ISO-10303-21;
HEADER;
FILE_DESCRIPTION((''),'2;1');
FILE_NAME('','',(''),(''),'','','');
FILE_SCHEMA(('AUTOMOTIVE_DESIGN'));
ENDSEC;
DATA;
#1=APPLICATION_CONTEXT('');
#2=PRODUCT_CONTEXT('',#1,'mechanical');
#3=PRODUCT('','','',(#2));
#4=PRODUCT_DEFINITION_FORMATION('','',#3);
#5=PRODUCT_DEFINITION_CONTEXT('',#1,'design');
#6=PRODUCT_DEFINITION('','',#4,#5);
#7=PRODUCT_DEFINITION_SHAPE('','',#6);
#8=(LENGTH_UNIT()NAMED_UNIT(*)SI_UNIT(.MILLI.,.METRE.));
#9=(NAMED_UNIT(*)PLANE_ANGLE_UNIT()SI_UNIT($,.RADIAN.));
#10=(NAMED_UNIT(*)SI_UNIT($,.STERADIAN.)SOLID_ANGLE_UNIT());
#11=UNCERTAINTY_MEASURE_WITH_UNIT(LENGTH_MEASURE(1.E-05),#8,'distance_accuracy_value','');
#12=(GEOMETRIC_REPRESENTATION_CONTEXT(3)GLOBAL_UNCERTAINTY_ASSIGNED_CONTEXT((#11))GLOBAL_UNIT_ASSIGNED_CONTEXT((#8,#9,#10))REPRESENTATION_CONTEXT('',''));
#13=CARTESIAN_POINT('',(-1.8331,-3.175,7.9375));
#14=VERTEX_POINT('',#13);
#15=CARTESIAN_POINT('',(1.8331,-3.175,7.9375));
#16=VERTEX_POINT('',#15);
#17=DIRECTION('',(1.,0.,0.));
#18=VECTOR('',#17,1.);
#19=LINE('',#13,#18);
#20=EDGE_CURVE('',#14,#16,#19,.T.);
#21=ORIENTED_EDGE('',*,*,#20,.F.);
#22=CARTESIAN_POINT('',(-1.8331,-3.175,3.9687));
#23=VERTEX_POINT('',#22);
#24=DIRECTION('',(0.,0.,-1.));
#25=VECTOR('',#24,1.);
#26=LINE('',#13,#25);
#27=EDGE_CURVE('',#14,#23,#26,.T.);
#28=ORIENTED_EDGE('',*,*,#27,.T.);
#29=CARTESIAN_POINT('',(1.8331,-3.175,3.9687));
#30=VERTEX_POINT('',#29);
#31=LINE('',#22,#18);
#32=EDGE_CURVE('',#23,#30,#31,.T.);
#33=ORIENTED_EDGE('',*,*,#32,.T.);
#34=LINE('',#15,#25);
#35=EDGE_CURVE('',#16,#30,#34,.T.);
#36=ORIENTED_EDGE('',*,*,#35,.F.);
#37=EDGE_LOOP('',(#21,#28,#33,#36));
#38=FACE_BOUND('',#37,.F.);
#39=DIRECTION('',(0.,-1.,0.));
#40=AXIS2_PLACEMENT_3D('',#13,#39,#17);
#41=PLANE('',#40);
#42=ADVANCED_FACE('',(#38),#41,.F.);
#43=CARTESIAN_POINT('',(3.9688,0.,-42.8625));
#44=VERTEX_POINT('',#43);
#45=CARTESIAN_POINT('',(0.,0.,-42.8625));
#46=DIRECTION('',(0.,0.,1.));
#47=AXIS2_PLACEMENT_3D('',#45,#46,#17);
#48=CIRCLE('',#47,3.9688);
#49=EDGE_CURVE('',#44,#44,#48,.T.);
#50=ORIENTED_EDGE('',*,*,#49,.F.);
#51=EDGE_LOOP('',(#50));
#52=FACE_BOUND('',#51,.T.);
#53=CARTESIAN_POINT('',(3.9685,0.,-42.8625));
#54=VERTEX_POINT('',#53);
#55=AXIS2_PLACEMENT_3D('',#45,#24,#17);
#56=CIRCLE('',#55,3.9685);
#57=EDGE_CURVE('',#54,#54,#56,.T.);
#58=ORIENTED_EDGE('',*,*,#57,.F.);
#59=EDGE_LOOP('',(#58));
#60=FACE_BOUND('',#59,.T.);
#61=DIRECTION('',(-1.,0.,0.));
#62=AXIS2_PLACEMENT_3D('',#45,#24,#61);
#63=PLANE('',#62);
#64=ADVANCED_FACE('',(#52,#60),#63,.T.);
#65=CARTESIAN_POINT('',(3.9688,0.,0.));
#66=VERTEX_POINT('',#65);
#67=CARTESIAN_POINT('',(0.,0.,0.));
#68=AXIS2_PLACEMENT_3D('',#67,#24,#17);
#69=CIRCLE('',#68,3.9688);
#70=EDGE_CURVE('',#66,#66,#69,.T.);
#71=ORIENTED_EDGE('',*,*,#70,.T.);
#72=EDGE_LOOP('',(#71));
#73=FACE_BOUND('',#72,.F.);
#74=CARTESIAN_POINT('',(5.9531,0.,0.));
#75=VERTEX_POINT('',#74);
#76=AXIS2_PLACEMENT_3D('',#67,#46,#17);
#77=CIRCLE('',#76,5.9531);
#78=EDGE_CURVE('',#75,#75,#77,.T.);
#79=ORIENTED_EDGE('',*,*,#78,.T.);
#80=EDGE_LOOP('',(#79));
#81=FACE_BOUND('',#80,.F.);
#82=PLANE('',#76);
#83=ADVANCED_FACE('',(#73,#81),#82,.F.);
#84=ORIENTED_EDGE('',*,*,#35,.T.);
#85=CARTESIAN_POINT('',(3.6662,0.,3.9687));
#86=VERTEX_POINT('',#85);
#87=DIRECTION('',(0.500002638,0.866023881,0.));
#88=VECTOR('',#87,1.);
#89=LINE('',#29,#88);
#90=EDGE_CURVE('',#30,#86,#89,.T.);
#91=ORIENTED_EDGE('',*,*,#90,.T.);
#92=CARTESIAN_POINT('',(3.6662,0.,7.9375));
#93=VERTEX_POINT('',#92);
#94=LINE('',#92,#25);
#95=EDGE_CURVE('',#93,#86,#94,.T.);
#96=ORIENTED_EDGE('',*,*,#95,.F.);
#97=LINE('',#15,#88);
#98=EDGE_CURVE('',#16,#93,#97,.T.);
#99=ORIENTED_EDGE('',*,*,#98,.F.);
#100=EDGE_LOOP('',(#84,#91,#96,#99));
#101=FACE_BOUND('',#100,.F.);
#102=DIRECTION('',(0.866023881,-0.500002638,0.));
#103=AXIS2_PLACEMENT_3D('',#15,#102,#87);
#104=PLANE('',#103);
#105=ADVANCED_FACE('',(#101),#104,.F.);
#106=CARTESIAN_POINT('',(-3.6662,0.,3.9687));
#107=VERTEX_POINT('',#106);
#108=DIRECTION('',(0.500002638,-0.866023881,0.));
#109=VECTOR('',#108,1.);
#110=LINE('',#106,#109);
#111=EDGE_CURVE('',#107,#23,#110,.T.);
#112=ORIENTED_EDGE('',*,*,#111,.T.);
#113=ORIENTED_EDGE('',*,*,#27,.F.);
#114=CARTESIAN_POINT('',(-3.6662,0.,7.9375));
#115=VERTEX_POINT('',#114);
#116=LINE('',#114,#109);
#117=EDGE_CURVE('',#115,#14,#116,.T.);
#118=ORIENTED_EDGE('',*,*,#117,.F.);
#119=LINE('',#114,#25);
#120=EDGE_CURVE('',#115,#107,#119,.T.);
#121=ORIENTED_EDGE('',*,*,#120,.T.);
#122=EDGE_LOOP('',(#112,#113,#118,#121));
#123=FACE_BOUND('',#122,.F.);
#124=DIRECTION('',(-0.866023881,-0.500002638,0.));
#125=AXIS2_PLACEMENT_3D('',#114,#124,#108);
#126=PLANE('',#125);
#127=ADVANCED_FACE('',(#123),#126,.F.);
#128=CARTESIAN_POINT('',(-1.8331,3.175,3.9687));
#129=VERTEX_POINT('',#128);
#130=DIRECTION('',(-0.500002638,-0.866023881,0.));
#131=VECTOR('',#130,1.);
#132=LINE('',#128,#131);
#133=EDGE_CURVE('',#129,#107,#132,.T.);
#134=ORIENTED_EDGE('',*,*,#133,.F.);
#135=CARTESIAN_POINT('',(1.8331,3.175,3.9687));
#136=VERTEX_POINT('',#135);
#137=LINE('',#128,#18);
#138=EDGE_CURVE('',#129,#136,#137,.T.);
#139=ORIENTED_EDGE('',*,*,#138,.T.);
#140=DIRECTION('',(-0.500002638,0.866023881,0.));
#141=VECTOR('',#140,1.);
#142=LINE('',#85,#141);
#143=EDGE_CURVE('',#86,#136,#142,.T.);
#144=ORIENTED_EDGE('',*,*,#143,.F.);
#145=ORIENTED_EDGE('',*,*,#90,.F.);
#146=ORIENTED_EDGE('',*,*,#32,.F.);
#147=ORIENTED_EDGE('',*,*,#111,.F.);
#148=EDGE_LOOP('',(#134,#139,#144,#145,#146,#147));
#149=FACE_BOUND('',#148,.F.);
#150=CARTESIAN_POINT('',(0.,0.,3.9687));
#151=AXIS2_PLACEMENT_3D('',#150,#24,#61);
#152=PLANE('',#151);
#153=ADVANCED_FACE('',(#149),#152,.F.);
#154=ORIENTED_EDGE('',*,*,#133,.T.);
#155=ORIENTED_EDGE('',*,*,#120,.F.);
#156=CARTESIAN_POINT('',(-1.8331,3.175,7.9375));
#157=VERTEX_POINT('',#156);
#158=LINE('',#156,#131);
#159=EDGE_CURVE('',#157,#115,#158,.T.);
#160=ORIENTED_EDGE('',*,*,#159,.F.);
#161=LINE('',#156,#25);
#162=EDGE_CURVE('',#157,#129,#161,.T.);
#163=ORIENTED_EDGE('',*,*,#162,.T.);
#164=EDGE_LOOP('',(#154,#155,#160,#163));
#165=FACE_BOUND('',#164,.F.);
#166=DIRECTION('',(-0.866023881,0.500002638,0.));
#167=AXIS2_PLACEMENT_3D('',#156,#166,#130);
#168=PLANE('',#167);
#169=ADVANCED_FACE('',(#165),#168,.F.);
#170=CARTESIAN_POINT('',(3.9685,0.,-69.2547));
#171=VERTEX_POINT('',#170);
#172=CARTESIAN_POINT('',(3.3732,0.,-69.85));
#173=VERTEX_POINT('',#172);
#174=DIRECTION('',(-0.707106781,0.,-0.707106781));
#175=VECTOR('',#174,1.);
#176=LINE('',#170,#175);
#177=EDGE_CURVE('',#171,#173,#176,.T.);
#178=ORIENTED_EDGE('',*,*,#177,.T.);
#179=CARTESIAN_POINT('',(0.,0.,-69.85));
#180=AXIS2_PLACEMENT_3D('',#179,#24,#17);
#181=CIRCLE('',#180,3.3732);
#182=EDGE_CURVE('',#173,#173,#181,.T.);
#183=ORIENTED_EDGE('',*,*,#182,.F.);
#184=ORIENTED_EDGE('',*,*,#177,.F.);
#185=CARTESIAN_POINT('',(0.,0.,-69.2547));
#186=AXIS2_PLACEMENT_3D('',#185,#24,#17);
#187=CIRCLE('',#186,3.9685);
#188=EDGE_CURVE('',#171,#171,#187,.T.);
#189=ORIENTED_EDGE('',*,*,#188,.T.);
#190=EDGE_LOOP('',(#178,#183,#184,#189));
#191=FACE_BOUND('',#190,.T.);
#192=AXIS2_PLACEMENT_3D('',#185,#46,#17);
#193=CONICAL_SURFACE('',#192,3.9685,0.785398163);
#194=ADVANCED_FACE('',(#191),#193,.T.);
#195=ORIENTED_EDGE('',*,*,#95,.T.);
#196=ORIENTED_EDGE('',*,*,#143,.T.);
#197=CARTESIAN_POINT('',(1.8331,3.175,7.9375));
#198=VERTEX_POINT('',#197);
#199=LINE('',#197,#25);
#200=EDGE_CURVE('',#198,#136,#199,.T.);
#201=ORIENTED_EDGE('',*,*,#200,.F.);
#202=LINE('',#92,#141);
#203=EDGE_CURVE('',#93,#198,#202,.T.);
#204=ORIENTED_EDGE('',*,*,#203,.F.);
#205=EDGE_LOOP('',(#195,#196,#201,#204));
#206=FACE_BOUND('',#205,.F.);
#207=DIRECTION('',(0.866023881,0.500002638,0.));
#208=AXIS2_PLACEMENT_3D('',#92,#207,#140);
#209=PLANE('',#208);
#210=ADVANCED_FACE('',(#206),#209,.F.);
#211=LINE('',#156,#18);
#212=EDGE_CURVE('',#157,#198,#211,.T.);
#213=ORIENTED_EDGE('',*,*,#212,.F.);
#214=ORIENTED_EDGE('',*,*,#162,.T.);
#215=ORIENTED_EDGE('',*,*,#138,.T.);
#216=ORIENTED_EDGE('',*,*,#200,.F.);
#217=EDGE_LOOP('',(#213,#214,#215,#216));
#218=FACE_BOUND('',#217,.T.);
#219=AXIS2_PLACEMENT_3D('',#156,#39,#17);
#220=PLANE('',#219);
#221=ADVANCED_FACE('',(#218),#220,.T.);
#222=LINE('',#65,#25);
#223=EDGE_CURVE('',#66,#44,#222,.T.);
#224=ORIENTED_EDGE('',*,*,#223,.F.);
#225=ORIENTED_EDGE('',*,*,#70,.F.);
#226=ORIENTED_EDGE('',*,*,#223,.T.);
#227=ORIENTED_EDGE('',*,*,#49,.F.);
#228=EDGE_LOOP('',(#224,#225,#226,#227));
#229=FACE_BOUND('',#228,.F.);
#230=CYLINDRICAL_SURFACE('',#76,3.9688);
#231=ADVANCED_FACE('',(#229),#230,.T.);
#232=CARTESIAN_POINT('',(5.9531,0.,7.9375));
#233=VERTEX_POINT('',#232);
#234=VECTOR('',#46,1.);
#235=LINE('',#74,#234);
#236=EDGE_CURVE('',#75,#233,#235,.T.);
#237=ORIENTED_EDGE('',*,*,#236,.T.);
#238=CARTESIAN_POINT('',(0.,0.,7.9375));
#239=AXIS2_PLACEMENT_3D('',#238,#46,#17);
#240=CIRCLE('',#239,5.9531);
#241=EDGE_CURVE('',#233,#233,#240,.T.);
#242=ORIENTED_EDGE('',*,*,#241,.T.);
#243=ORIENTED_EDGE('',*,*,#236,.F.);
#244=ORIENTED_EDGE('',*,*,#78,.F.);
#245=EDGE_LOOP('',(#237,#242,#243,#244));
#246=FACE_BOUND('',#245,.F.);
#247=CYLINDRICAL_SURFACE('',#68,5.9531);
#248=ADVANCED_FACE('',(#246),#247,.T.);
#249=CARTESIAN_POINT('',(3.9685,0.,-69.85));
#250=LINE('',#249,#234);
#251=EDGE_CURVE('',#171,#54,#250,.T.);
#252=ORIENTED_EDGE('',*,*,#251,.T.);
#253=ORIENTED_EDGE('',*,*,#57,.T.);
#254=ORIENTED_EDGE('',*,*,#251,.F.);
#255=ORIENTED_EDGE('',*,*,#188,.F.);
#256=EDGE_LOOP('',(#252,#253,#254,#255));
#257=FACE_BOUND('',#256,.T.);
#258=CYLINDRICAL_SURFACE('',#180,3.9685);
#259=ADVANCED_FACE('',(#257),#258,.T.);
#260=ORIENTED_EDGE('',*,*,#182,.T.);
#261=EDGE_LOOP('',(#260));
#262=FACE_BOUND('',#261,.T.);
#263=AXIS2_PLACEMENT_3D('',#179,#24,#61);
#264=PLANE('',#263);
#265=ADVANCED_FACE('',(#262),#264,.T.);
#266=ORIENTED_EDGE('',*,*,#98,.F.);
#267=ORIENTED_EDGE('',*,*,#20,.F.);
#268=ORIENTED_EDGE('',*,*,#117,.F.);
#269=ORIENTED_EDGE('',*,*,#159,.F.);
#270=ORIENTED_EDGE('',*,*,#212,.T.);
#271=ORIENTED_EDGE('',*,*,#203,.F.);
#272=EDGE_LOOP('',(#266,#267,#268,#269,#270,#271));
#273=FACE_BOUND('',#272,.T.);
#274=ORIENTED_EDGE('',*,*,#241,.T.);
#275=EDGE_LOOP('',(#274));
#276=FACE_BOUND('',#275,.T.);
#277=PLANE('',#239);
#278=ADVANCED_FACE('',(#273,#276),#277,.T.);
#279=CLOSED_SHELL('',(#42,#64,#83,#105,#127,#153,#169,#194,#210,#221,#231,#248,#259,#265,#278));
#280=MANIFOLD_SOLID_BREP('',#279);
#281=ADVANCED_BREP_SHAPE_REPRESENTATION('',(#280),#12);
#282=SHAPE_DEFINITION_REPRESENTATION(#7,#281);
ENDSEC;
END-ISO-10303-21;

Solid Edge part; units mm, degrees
sketch "Sketch1" plane through (0, 0, 0) normal (0, 0, 1) x (1, 0, 0)
  circle A0 centre (0, 0) radius 5.9531
  dimension "D1" = 11.9062
extrude "Protrusion1" add sketch "Sketch1" along normal blind 7.9375
sketch "Sketch2" plane through (0, 0, 0) normal (0, 0, -1) x (1, 0, 0)
  circle A0 centre (0, 0) radius 3.9688
extrude "Protrusion2" add sketch "Sketch2" along normal blind 69.85
sketch "Sketch3" plane through (0, 0, -69.85) normal (0, 0, -1) x (1, 0, 0)
  circle A0 centre (0, 0) radius 3.9685
extrude "Cutout1" cut sketch "Sketch3" against normal blind 26.9875 flip side to cut
chamfer "Chamfer_1" distance 0.5953 angle 45 1 edges at (-3.9685, 0, -69.85)
sketch "Sketch4" plane through (0, 0, 7.9375) normal (0, 0, 1) x (1, 0, 0)
  line L0 (-1.8331, 3.175) -> (1.8331, 3.175)
  line L1 (3.6662, 0) -> (1.8331, 3.175)
  line L2 (1.8331, -3.175) -> (3.6662, 0)
  line L3 (-1.8331, -3.175) -> (1.8331, -3.175)
  line L4 (-3.6662, 0) -> (-1.8331, -3.175)
  line L5 (-1.8331, 3.175) -> (-3.6662, 0)
  dimension "D1" = 6.35
extrude "Cutout2" cut sketch "Sketch4" against normal blind 3.9688
properties part number "24101095"
